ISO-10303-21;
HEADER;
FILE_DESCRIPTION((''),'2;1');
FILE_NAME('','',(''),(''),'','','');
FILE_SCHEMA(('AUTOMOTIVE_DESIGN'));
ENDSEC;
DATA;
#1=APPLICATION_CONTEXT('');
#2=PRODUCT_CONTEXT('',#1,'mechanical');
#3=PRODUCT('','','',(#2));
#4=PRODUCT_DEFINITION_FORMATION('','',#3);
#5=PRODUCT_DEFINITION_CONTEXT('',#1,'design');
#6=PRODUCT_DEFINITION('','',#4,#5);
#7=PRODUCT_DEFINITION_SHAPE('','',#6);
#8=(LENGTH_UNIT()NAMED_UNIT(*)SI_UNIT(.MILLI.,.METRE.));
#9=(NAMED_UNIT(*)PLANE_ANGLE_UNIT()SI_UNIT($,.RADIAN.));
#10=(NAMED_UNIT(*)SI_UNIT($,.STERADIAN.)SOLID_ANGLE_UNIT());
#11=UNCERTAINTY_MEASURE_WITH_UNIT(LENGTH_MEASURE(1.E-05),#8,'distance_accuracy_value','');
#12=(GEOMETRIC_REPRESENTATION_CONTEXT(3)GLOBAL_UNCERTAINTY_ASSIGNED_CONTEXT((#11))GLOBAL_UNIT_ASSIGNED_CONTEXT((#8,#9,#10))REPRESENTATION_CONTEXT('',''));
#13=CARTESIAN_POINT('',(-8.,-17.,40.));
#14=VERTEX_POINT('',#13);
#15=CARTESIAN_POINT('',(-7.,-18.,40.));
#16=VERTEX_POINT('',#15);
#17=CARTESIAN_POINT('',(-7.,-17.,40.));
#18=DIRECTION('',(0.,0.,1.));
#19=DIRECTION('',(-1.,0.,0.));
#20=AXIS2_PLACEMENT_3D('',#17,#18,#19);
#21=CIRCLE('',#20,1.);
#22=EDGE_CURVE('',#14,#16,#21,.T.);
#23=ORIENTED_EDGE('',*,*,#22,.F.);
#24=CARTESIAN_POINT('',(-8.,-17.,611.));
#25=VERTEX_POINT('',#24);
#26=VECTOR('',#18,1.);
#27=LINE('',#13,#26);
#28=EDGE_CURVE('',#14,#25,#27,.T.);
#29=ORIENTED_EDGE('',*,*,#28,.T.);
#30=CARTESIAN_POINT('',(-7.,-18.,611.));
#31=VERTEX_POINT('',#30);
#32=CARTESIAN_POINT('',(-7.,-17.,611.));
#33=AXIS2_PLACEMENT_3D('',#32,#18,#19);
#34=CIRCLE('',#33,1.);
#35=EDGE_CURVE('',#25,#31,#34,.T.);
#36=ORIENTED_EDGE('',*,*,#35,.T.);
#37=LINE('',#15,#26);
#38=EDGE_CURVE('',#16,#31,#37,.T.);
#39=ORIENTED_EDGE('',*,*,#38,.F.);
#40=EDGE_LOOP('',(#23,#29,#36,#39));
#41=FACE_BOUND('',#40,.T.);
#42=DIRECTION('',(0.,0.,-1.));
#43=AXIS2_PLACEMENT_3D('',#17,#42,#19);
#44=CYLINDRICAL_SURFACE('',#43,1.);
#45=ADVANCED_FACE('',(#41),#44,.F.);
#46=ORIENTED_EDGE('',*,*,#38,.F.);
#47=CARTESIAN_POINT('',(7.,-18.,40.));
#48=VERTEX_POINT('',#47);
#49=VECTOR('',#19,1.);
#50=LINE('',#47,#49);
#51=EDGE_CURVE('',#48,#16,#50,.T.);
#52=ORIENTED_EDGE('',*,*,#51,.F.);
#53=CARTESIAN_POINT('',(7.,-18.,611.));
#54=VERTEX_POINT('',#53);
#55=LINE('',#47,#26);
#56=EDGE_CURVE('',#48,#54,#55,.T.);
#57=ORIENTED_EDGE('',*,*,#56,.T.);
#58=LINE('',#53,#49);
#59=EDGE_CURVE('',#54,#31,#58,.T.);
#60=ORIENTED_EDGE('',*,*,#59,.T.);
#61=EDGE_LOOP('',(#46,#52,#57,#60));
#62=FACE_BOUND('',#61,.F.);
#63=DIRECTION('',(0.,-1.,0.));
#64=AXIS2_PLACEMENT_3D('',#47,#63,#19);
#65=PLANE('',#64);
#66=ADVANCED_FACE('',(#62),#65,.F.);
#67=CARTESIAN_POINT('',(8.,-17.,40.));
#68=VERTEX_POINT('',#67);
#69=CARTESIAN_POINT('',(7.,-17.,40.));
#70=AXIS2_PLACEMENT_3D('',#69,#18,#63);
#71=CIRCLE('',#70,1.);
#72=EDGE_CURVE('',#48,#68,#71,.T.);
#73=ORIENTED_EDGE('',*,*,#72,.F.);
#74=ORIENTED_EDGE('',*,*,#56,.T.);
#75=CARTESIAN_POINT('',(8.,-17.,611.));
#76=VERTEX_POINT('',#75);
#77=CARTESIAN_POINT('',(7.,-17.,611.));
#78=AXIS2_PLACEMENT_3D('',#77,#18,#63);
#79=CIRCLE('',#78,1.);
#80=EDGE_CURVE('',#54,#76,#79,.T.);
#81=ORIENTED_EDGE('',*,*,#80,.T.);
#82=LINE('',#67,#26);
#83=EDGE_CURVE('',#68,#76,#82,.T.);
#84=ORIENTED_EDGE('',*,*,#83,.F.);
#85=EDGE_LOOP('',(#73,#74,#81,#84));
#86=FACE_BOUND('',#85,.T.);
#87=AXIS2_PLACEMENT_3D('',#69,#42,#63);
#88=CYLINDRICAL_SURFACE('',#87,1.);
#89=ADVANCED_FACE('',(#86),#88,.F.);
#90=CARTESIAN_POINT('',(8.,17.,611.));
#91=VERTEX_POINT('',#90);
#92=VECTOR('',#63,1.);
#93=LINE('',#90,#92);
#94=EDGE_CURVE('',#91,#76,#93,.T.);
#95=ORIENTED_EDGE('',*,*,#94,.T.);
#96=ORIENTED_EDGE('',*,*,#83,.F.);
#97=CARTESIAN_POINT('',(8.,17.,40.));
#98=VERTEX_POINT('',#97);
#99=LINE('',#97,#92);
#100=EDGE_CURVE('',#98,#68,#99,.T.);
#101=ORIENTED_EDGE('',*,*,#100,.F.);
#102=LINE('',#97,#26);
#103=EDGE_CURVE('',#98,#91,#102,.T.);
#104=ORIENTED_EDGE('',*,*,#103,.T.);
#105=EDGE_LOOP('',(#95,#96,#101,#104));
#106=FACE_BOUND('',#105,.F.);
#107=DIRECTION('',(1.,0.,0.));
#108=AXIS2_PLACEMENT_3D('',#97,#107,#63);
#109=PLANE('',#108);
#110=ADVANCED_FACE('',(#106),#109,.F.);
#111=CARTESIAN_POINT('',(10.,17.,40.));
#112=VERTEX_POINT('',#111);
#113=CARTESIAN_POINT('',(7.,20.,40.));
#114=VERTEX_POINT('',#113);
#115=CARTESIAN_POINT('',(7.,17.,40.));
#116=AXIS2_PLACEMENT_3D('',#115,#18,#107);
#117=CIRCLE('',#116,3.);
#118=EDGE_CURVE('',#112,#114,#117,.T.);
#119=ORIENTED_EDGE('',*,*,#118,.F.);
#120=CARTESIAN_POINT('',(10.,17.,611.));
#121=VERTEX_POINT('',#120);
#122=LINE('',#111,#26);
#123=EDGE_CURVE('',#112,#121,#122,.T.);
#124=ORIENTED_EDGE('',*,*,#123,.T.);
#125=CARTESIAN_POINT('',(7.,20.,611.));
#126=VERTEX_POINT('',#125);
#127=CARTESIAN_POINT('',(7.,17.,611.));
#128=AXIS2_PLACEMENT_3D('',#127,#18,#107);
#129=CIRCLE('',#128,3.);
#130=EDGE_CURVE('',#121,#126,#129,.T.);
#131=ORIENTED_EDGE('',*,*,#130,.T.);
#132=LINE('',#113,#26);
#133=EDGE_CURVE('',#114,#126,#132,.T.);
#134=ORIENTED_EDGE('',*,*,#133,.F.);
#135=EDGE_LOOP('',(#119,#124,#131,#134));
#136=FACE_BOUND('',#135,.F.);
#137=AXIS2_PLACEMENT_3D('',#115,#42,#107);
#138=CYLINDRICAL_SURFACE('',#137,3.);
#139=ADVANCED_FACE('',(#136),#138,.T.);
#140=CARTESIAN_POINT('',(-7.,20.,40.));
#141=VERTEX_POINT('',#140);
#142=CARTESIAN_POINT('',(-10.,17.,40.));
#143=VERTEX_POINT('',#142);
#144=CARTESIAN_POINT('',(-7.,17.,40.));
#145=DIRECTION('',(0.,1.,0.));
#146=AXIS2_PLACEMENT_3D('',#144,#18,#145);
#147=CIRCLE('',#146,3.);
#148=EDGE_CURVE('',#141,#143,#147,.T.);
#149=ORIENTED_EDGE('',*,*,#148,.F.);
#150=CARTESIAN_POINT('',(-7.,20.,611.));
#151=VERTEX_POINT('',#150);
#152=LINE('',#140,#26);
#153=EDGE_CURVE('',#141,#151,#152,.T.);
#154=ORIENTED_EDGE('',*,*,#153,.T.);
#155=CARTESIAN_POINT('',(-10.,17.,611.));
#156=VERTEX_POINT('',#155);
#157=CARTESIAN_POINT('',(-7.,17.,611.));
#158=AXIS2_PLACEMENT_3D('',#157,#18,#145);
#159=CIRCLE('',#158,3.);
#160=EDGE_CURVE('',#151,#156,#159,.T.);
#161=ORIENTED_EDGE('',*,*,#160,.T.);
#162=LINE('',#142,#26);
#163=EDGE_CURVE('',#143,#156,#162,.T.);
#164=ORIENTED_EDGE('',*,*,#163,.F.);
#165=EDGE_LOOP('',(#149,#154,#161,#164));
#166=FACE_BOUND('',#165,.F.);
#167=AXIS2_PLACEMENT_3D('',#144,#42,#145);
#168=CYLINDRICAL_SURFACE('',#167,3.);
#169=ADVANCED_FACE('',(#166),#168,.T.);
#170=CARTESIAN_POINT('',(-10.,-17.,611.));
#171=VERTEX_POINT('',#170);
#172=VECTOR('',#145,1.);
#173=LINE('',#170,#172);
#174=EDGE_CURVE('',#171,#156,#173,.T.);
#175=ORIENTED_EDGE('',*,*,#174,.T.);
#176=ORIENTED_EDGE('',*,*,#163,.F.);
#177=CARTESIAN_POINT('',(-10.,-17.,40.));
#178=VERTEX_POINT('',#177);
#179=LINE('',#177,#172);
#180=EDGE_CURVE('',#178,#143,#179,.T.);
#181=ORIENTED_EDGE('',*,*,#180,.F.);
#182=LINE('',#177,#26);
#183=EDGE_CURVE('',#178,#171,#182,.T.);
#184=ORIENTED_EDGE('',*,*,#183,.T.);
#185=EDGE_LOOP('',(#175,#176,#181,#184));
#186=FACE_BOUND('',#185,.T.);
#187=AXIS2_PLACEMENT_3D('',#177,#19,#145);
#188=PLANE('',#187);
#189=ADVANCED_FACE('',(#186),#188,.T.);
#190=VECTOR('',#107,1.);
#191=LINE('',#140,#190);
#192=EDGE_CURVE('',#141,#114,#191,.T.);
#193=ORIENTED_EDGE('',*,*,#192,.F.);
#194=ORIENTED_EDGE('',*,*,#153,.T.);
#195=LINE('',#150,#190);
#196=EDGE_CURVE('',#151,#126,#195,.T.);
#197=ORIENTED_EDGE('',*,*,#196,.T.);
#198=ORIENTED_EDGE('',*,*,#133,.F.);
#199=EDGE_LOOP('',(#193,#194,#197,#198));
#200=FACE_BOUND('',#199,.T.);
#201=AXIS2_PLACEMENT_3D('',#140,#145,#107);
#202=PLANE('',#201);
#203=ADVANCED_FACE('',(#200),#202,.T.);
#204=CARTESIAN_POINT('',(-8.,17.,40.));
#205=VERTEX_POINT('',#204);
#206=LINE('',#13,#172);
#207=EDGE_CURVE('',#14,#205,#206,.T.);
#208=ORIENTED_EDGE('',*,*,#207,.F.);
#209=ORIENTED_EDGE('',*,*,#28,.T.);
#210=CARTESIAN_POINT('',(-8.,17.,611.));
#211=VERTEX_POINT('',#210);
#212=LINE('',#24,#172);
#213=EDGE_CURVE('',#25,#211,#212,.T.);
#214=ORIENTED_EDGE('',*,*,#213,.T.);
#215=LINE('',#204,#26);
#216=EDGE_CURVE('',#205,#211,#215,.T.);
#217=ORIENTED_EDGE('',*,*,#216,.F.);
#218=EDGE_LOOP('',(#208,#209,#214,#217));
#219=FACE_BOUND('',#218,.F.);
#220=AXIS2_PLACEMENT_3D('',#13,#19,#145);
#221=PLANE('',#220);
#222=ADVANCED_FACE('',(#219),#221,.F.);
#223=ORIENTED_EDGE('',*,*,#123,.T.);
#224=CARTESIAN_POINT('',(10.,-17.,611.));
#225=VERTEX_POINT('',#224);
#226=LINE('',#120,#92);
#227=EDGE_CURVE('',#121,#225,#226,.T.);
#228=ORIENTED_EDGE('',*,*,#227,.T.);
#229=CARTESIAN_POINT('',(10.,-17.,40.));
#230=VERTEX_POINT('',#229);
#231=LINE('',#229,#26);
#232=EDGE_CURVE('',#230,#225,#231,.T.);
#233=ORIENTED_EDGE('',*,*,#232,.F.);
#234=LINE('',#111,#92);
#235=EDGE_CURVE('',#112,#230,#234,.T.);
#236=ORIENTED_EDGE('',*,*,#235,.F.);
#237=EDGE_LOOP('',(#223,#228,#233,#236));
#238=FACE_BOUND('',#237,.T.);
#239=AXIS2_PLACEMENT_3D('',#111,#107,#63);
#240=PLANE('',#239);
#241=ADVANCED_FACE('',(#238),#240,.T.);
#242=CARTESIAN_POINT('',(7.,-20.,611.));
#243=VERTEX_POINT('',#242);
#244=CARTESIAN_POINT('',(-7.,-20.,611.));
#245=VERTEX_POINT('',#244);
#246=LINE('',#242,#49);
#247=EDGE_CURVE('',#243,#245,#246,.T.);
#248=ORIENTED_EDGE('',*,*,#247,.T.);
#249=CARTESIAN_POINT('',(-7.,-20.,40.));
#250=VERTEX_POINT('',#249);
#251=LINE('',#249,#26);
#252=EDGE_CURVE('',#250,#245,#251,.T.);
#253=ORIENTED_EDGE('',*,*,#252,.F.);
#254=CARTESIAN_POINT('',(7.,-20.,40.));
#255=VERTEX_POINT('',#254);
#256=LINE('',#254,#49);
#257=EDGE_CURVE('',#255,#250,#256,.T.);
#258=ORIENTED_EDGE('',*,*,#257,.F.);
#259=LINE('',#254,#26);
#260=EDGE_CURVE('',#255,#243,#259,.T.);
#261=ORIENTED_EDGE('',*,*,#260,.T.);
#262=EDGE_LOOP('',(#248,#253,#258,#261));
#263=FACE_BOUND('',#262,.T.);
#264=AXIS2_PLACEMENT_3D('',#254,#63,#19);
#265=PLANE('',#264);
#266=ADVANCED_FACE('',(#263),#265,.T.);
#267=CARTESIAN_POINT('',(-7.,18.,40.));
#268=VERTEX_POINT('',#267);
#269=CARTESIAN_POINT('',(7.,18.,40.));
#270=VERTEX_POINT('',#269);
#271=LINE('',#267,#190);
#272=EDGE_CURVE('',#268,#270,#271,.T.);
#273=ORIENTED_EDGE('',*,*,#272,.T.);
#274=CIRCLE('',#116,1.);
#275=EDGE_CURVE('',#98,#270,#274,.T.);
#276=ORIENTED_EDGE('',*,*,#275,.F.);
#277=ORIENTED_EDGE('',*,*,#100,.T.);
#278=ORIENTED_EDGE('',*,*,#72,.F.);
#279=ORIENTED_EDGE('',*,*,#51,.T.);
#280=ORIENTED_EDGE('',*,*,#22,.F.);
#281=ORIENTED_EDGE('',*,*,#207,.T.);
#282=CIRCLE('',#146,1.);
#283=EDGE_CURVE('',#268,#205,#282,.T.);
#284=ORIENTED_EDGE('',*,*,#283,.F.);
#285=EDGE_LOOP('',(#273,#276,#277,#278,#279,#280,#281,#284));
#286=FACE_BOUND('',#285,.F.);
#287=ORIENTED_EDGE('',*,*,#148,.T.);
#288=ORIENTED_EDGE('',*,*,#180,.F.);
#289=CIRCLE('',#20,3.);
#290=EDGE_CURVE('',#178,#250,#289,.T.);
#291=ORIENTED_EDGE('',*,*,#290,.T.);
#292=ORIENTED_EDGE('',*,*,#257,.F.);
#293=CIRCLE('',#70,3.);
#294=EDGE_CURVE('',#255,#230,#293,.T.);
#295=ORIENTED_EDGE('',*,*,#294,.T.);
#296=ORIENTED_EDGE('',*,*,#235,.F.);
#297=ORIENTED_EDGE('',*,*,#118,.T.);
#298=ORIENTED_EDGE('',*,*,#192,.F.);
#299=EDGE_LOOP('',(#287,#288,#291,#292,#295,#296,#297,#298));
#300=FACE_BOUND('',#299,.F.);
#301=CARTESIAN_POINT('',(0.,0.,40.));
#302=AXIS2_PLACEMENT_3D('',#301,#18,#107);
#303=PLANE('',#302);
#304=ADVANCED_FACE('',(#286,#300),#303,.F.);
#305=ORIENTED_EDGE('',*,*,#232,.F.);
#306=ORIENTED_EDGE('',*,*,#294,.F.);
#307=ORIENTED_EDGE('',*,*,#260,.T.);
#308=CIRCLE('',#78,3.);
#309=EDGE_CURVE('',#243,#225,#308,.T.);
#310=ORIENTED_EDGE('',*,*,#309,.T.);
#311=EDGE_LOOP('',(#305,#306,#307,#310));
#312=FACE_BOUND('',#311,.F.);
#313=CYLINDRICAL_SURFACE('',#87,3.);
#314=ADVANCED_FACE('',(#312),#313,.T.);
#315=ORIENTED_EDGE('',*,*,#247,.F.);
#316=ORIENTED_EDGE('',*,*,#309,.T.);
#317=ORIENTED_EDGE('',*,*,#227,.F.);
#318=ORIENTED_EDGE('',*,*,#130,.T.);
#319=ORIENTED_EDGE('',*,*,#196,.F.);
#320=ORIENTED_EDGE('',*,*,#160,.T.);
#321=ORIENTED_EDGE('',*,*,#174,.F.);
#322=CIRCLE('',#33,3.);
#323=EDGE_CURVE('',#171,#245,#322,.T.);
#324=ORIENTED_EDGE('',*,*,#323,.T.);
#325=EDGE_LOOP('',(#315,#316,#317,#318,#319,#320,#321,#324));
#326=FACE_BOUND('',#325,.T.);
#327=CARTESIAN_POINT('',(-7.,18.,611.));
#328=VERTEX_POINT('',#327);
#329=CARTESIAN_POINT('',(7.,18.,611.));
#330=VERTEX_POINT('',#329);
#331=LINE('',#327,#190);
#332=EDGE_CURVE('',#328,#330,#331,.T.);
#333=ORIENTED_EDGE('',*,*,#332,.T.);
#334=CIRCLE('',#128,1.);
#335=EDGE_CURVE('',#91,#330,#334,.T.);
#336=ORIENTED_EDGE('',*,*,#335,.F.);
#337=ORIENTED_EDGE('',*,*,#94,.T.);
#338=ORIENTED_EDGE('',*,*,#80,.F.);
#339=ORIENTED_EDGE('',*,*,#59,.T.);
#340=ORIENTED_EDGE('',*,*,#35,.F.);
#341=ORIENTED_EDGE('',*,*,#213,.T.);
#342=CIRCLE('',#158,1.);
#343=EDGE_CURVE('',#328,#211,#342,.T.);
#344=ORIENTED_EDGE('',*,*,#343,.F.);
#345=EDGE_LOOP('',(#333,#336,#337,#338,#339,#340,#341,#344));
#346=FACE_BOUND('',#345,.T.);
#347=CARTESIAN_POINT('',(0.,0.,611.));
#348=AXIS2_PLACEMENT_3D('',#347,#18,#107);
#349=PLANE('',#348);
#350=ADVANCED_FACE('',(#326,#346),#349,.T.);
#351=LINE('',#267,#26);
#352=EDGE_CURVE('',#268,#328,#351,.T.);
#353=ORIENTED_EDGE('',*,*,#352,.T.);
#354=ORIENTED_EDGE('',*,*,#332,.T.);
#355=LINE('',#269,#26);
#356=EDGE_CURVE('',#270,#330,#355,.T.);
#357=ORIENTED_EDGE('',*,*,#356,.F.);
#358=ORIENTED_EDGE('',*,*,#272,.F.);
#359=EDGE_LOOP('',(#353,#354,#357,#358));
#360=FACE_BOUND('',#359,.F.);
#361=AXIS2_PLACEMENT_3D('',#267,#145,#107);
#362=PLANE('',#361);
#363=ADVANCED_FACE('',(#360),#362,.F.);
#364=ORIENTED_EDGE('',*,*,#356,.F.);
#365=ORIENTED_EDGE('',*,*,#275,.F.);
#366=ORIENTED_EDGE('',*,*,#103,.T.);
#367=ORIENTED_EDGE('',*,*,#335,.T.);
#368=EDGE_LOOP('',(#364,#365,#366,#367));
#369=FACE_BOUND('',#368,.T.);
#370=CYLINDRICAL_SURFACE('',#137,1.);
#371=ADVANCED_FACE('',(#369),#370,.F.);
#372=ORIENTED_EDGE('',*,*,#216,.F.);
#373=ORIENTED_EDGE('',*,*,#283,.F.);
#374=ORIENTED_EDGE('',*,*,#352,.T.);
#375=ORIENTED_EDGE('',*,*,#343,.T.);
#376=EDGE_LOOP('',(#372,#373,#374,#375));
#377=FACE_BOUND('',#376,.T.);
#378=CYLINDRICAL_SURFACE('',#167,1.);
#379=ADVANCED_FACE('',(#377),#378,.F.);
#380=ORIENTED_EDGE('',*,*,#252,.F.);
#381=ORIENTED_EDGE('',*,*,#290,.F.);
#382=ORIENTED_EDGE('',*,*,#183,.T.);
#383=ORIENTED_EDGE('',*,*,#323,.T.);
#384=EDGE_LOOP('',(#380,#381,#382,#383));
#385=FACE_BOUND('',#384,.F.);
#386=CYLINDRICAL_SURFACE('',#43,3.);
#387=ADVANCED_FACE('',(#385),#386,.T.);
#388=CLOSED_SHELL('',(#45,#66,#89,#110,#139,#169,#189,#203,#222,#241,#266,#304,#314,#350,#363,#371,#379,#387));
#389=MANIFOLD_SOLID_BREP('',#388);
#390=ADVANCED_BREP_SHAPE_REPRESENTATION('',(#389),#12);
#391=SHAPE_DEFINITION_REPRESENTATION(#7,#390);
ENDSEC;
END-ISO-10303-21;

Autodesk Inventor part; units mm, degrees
ref_plane "Start plane" through (0, 0, 40) normal (0, 0, 1) x (1, 0, 0)
ref_plane "End plane" through (0, 0, 611) normal (0, 0, 1) x (1, 0, 0)
sketch "Sketch" plane through (0, 0, 0) normal (0, 0, 1) x (1, 0, 0)
  line L0 (-10, -17) -> (-10, 17)
  line L1 (-7, 20) -> (7, 20)
  line L2 (10, 17) -> (10, -17)
  line L3 (7, -20) -> (-7, -20)
  arc A0 (-10, -17) -> (-7, -20) centre (-7, -17) ccw
  arc A1 (-7, 20) -> (-10, 17) centre (-7, 17) ccw
  arc A2 (10, 17) -> (7, 20) centre (7, 17) ccw
  arc A3 (7, -20) -> (10, -17) centre (7, -17) ccw
  arc A4 (-7, 18) -> (-8, 17) centre (-7, 17) ccw
  line L4 (-7, 18) -> (7, 18)
  arc A5 (8, 17) -> (7, 18) centre (7, 17) ccw
  line L5 (8, 17) -> (8, -17)
  arc A6 (7, -18) -> (8, -17) centre (7, -17) ccw
  line L6 (7, -18) -> (-7, -18)
  arc A7 (-8, -17) -> (-7, -18) centre (-7, -17) ccw
  line L7 (-8, -17) -> (-8, 17)
  line L8 (0, 28.8698) -> (0, -28.8698) construction
  line L9 (-14.8698, 0) -> (14.8698, 0) construction
  dimension "d7" = 3
  dimension "d10" = 40
  dimension "d11" = 20
  dimension "d12" = 2
  dimension "d15" = 20
  dimension "d16" = 10
extrude "Body" add sketch "Sketch" along normal up to surface (571 mm away) from surface at 40
sketch "Sketch3" plane through (0, 0, 0) normal (0, 0, 1) x (1, 0, 0)
  line L0 (0, 0) -> (10, 0)
ref_plane "Work Plane3" through (0, 0, 0) normal (0, -1, 0) x (1, 0, 0)
sketch "Sketch4" plane through (0, 0, 0) normal (0, -1, 0) x (1, 0, 0)
  line L0 (-2, 40) -> (12, 40)
  line L1 (-2, 611) -> (12, 611)
  dimension "d18" = 571
ref_plane "Work Plane4" through (-7, 120, 40) normal (0, 0, -1) x (-1, 0, 0)
split "Split1" plane through (-7, 120, 40) removes the side toward (0, 0, -1)
ref_plane "Work Plane5" through (7, 120, 611) normal (0, 0, 1) x (1, 0, 0)
split "Split2" plane through (7, 120, 611) removes the side toward (0, 0, 1)
equation "\"d7\" = G_IR"
equation "\"d10\" = G_H"
equation "\"d11\" = G_W"
equation "\"d12\" = G_T"
equation "\"d15\" = 0.5 * d10"
equation "\"d16\" = 0.5 * d11"
equation "\"d3\" = G_L"
equation "\"G_W\" = 20"
equation "\"G_H\" = 40"
equation "\"G_T\" = 2"
equation "\"G_IR\" = 3"
equation "\"G_L\" = d18"
equation "\"G_OFFSET_START\" = -40"
equation "\"G_OFFSET_END\" = -40"
equation "\"d13\" = -G_OFFSET_START"
equation "\"d14\" = G_OFFSET_END + B_L"
equation "\"B_L\" = 651"
properties part number "UNI EN 10305-5 - 40 x 20 x 2  - 571" material "Steel, Mild"
